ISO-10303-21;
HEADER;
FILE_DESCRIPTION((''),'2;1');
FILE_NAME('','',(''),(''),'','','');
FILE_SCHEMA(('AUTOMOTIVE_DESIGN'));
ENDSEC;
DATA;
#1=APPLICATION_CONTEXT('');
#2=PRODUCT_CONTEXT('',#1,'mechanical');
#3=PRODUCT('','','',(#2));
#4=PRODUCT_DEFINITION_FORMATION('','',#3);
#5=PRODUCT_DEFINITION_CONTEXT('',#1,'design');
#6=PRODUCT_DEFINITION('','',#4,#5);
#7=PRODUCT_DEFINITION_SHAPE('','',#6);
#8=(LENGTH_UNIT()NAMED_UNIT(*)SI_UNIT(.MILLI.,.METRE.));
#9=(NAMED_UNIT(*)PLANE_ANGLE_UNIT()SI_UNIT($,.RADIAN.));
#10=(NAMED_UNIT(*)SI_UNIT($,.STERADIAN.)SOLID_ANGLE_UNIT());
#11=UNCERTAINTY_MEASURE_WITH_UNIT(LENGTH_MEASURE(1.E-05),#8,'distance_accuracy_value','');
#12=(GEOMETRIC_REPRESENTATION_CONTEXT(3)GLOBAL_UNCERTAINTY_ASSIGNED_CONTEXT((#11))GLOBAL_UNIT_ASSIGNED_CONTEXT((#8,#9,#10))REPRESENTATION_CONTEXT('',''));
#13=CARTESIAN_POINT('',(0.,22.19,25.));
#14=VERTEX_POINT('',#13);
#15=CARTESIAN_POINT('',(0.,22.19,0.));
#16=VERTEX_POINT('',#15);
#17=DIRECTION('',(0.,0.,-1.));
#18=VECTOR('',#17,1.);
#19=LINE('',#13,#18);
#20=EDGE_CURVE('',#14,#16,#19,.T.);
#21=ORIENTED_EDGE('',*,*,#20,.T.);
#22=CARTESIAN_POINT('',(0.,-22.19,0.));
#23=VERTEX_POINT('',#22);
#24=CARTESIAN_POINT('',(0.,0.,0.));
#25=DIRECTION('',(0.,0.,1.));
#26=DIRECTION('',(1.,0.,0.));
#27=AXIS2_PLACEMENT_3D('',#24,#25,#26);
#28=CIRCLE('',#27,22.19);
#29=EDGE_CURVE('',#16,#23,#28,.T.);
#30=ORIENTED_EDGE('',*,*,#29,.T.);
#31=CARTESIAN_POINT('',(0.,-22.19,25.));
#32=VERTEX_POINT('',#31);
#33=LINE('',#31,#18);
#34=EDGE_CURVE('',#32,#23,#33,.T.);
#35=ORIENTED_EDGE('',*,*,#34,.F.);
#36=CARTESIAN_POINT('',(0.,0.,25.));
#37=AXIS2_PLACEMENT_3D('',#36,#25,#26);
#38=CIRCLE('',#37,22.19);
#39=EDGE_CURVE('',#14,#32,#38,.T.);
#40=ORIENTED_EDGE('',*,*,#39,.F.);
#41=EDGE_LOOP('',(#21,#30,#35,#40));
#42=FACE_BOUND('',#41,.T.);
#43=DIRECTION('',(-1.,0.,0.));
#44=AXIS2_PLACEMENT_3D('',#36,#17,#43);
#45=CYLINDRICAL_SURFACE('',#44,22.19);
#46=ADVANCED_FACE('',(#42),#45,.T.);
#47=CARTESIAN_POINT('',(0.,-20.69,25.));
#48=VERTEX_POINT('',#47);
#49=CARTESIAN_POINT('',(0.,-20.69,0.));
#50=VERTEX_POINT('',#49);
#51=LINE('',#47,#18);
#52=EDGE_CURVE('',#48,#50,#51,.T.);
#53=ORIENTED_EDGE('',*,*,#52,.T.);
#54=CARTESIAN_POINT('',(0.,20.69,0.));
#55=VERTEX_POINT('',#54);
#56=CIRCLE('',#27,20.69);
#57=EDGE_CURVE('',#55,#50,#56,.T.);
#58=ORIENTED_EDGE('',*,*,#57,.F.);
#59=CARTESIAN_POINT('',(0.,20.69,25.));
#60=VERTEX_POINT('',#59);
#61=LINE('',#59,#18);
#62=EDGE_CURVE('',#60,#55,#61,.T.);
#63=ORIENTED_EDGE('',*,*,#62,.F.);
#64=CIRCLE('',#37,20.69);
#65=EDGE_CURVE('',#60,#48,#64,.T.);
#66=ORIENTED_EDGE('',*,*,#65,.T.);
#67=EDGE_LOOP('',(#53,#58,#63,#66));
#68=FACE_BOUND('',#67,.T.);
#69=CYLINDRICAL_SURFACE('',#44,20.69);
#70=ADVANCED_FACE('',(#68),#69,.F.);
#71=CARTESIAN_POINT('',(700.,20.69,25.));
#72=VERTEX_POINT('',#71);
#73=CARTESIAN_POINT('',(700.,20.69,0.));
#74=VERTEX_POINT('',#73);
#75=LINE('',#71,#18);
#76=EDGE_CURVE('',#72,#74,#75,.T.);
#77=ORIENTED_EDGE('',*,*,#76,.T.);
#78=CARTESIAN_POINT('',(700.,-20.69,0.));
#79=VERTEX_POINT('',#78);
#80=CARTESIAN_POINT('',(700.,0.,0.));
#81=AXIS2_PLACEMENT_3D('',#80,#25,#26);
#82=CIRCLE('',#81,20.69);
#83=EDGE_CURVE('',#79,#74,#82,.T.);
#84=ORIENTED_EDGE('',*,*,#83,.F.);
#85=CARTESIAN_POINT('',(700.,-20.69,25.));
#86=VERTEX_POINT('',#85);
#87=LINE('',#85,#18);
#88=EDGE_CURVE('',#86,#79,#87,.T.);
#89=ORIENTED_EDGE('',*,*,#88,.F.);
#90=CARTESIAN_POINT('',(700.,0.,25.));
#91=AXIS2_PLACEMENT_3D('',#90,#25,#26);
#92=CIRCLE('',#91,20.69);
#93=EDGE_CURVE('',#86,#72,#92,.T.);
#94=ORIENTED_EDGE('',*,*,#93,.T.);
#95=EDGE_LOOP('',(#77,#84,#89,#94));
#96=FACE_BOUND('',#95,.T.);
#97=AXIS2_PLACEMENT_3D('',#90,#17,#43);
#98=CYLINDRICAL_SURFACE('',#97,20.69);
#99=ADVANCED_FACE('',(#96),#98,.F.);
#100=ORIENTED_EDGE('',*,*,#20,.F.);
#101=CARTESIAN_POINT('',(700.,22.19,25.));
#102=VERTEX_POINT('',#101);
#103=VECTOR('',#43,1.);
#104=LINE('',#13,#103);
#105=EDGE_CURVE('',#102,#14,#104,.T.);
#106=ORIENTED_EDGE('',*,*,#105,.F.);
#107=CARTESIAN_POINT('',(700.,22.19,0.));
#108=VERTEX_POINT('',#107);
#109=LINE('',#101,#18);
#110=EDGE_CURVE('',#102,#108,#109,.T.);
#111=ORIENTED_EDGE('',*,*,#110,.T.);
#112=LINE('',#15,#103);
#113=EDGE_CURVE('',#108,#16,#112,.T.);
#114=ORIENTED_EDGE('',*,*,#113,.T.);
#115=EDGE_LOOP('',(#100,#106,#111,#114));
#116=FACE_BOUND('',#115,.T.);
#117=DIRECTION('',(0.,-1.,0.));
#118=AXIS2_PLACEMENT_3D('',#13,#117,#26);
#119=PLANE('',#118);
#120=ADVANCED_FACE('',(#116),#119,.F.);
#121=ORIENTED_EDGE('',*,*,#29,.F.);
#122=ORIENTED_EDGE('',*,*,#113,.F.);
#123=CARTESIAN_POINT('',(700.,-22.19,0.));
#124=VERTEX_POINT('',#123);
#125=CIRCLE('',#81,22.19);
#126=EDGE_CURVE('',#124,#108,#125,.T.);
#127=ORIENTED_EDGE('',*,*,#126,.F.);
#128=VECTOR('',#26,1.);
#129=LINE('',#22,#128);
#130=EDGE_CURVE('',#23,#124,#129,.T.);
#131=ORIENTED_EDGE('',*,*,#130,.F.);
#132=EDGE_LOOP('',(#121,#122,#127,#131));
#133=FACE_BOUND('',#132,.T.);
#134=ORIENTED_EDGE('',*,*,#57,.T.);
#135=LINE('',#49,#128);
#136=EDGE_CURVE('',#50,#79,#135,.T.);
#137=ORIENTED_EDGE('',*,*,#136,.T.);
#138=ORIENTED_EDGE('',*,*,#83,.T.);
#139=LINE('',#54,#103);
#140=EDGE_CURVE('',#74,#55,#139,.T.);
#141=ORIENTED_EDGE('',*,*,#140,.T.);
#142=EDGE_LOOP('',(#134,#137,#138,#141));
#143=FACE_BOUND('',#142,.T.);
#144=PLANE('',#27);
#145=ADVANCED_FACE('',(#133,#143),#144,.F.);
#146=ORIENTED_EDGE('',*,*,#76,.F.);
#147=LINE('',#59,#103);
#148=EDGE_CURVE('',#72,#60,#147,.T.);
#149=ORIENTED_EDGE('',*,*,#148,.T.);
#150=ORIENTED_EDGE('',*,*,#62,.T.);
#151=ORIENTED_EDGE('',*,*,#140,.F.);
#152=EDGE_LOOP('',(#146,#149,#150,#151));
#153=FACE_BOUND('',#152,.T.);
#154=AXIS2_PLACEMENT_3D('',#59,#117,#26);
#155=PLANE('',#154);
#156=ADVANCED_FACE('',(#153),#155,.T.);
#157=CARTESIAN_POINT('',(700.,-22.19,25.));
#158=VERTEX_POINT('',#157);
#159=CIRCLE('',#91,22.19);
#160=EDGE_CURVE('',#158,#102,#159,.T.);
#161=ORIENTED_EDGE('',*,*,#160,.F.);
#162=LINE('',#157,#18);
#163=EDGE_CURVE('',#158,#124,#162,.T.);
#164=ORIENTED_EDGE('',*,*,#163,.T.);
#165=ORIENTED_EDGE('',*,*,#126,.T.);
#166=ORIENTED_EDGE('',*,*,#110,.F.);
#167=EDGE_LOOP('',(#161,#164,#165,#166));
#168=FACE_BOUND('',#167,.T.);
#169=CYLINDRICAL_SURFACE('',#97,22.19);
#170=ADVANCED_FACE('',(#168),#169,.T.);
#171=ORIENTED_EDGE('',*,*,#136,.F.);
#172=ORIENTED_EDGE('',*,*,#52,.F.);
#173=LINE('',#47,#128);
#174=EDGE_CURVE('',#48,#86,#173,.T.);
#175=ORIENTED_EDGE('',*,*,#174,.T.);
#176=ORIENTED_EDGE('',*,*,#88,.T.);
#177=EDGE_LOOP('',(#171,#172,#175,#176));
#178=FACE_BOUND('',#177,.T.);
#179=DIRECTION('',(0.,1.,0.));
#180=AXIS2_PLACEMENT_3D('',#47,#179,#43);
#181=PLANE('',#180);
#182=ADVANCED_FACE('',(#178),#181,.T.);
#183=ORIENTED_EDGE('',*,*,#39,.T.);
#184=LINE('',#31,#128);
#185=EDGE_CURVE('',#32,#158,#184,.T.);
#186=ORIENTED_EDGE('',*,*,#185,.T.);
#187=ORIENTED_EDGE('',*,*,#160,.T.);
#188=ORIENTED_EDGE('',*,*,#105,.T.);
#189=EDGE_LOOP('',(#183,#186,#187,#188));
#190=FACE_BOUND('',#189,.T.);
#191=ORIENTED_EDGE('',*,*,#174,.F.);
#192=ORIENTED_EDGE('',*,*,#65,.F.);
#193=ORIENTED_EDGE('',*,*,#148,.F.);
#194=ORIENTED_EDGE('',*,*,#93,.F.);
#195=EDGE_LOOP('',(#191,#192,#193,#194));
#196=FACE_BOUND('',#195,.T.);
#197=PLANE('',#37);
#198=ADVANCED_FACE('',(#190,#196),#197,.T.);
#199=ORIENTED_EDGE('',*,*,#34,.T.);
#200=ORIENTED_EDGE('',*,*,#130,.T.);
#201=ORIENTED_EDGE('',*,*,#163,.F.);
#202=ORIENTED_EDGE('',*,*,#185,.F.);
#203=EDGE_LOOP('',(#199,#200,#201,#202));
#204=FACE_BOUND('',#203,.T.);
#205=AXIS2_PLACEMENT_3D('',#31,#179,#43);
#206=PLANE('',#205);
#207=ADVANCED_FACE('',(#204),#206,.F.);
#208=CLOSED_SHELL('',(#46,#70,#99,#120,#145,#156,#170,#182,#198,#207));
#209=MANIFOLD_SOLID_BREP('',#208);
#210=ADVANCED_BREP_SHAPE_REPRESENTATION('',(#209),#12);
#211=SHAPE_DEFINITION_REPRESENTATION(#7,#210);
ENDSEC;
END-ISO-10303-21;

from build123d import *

# Parameters (mm, degrees)
EXTRUDE_1_DEPTH = 25


with BuildPart() as part:
    # 草图1 → 拉伸-薄壁1 (new body)
    with BuildSketch(Plane.XY):
        with BuildLine():
            Line((700, -22.19), (0, -22.19))
            ThreePointArc((0, -22.19), (-22.19, 0), (0, 22.19))
            Line((0, 22.19), (700, 22.19))
            ThreePointArc((700, 22.19), (722.19, 0), (700, -22.19))
        make_face()
        with BuildLine():
            Line((700, -20.69), (0, -20.69))
            ThreePointArc((0, -20.69), (-20.69, 0), (0, 20.69))
            Line((0, 20.69), (700, 20.69))
            ThreePointArc((700, 20.69), (720.69, 0), (700, -20.69))
        make_face(mode=Mode.SUBTRACT)
    extrude(amount=EXTRUDE_1_DEPTH)


solid = part.part
